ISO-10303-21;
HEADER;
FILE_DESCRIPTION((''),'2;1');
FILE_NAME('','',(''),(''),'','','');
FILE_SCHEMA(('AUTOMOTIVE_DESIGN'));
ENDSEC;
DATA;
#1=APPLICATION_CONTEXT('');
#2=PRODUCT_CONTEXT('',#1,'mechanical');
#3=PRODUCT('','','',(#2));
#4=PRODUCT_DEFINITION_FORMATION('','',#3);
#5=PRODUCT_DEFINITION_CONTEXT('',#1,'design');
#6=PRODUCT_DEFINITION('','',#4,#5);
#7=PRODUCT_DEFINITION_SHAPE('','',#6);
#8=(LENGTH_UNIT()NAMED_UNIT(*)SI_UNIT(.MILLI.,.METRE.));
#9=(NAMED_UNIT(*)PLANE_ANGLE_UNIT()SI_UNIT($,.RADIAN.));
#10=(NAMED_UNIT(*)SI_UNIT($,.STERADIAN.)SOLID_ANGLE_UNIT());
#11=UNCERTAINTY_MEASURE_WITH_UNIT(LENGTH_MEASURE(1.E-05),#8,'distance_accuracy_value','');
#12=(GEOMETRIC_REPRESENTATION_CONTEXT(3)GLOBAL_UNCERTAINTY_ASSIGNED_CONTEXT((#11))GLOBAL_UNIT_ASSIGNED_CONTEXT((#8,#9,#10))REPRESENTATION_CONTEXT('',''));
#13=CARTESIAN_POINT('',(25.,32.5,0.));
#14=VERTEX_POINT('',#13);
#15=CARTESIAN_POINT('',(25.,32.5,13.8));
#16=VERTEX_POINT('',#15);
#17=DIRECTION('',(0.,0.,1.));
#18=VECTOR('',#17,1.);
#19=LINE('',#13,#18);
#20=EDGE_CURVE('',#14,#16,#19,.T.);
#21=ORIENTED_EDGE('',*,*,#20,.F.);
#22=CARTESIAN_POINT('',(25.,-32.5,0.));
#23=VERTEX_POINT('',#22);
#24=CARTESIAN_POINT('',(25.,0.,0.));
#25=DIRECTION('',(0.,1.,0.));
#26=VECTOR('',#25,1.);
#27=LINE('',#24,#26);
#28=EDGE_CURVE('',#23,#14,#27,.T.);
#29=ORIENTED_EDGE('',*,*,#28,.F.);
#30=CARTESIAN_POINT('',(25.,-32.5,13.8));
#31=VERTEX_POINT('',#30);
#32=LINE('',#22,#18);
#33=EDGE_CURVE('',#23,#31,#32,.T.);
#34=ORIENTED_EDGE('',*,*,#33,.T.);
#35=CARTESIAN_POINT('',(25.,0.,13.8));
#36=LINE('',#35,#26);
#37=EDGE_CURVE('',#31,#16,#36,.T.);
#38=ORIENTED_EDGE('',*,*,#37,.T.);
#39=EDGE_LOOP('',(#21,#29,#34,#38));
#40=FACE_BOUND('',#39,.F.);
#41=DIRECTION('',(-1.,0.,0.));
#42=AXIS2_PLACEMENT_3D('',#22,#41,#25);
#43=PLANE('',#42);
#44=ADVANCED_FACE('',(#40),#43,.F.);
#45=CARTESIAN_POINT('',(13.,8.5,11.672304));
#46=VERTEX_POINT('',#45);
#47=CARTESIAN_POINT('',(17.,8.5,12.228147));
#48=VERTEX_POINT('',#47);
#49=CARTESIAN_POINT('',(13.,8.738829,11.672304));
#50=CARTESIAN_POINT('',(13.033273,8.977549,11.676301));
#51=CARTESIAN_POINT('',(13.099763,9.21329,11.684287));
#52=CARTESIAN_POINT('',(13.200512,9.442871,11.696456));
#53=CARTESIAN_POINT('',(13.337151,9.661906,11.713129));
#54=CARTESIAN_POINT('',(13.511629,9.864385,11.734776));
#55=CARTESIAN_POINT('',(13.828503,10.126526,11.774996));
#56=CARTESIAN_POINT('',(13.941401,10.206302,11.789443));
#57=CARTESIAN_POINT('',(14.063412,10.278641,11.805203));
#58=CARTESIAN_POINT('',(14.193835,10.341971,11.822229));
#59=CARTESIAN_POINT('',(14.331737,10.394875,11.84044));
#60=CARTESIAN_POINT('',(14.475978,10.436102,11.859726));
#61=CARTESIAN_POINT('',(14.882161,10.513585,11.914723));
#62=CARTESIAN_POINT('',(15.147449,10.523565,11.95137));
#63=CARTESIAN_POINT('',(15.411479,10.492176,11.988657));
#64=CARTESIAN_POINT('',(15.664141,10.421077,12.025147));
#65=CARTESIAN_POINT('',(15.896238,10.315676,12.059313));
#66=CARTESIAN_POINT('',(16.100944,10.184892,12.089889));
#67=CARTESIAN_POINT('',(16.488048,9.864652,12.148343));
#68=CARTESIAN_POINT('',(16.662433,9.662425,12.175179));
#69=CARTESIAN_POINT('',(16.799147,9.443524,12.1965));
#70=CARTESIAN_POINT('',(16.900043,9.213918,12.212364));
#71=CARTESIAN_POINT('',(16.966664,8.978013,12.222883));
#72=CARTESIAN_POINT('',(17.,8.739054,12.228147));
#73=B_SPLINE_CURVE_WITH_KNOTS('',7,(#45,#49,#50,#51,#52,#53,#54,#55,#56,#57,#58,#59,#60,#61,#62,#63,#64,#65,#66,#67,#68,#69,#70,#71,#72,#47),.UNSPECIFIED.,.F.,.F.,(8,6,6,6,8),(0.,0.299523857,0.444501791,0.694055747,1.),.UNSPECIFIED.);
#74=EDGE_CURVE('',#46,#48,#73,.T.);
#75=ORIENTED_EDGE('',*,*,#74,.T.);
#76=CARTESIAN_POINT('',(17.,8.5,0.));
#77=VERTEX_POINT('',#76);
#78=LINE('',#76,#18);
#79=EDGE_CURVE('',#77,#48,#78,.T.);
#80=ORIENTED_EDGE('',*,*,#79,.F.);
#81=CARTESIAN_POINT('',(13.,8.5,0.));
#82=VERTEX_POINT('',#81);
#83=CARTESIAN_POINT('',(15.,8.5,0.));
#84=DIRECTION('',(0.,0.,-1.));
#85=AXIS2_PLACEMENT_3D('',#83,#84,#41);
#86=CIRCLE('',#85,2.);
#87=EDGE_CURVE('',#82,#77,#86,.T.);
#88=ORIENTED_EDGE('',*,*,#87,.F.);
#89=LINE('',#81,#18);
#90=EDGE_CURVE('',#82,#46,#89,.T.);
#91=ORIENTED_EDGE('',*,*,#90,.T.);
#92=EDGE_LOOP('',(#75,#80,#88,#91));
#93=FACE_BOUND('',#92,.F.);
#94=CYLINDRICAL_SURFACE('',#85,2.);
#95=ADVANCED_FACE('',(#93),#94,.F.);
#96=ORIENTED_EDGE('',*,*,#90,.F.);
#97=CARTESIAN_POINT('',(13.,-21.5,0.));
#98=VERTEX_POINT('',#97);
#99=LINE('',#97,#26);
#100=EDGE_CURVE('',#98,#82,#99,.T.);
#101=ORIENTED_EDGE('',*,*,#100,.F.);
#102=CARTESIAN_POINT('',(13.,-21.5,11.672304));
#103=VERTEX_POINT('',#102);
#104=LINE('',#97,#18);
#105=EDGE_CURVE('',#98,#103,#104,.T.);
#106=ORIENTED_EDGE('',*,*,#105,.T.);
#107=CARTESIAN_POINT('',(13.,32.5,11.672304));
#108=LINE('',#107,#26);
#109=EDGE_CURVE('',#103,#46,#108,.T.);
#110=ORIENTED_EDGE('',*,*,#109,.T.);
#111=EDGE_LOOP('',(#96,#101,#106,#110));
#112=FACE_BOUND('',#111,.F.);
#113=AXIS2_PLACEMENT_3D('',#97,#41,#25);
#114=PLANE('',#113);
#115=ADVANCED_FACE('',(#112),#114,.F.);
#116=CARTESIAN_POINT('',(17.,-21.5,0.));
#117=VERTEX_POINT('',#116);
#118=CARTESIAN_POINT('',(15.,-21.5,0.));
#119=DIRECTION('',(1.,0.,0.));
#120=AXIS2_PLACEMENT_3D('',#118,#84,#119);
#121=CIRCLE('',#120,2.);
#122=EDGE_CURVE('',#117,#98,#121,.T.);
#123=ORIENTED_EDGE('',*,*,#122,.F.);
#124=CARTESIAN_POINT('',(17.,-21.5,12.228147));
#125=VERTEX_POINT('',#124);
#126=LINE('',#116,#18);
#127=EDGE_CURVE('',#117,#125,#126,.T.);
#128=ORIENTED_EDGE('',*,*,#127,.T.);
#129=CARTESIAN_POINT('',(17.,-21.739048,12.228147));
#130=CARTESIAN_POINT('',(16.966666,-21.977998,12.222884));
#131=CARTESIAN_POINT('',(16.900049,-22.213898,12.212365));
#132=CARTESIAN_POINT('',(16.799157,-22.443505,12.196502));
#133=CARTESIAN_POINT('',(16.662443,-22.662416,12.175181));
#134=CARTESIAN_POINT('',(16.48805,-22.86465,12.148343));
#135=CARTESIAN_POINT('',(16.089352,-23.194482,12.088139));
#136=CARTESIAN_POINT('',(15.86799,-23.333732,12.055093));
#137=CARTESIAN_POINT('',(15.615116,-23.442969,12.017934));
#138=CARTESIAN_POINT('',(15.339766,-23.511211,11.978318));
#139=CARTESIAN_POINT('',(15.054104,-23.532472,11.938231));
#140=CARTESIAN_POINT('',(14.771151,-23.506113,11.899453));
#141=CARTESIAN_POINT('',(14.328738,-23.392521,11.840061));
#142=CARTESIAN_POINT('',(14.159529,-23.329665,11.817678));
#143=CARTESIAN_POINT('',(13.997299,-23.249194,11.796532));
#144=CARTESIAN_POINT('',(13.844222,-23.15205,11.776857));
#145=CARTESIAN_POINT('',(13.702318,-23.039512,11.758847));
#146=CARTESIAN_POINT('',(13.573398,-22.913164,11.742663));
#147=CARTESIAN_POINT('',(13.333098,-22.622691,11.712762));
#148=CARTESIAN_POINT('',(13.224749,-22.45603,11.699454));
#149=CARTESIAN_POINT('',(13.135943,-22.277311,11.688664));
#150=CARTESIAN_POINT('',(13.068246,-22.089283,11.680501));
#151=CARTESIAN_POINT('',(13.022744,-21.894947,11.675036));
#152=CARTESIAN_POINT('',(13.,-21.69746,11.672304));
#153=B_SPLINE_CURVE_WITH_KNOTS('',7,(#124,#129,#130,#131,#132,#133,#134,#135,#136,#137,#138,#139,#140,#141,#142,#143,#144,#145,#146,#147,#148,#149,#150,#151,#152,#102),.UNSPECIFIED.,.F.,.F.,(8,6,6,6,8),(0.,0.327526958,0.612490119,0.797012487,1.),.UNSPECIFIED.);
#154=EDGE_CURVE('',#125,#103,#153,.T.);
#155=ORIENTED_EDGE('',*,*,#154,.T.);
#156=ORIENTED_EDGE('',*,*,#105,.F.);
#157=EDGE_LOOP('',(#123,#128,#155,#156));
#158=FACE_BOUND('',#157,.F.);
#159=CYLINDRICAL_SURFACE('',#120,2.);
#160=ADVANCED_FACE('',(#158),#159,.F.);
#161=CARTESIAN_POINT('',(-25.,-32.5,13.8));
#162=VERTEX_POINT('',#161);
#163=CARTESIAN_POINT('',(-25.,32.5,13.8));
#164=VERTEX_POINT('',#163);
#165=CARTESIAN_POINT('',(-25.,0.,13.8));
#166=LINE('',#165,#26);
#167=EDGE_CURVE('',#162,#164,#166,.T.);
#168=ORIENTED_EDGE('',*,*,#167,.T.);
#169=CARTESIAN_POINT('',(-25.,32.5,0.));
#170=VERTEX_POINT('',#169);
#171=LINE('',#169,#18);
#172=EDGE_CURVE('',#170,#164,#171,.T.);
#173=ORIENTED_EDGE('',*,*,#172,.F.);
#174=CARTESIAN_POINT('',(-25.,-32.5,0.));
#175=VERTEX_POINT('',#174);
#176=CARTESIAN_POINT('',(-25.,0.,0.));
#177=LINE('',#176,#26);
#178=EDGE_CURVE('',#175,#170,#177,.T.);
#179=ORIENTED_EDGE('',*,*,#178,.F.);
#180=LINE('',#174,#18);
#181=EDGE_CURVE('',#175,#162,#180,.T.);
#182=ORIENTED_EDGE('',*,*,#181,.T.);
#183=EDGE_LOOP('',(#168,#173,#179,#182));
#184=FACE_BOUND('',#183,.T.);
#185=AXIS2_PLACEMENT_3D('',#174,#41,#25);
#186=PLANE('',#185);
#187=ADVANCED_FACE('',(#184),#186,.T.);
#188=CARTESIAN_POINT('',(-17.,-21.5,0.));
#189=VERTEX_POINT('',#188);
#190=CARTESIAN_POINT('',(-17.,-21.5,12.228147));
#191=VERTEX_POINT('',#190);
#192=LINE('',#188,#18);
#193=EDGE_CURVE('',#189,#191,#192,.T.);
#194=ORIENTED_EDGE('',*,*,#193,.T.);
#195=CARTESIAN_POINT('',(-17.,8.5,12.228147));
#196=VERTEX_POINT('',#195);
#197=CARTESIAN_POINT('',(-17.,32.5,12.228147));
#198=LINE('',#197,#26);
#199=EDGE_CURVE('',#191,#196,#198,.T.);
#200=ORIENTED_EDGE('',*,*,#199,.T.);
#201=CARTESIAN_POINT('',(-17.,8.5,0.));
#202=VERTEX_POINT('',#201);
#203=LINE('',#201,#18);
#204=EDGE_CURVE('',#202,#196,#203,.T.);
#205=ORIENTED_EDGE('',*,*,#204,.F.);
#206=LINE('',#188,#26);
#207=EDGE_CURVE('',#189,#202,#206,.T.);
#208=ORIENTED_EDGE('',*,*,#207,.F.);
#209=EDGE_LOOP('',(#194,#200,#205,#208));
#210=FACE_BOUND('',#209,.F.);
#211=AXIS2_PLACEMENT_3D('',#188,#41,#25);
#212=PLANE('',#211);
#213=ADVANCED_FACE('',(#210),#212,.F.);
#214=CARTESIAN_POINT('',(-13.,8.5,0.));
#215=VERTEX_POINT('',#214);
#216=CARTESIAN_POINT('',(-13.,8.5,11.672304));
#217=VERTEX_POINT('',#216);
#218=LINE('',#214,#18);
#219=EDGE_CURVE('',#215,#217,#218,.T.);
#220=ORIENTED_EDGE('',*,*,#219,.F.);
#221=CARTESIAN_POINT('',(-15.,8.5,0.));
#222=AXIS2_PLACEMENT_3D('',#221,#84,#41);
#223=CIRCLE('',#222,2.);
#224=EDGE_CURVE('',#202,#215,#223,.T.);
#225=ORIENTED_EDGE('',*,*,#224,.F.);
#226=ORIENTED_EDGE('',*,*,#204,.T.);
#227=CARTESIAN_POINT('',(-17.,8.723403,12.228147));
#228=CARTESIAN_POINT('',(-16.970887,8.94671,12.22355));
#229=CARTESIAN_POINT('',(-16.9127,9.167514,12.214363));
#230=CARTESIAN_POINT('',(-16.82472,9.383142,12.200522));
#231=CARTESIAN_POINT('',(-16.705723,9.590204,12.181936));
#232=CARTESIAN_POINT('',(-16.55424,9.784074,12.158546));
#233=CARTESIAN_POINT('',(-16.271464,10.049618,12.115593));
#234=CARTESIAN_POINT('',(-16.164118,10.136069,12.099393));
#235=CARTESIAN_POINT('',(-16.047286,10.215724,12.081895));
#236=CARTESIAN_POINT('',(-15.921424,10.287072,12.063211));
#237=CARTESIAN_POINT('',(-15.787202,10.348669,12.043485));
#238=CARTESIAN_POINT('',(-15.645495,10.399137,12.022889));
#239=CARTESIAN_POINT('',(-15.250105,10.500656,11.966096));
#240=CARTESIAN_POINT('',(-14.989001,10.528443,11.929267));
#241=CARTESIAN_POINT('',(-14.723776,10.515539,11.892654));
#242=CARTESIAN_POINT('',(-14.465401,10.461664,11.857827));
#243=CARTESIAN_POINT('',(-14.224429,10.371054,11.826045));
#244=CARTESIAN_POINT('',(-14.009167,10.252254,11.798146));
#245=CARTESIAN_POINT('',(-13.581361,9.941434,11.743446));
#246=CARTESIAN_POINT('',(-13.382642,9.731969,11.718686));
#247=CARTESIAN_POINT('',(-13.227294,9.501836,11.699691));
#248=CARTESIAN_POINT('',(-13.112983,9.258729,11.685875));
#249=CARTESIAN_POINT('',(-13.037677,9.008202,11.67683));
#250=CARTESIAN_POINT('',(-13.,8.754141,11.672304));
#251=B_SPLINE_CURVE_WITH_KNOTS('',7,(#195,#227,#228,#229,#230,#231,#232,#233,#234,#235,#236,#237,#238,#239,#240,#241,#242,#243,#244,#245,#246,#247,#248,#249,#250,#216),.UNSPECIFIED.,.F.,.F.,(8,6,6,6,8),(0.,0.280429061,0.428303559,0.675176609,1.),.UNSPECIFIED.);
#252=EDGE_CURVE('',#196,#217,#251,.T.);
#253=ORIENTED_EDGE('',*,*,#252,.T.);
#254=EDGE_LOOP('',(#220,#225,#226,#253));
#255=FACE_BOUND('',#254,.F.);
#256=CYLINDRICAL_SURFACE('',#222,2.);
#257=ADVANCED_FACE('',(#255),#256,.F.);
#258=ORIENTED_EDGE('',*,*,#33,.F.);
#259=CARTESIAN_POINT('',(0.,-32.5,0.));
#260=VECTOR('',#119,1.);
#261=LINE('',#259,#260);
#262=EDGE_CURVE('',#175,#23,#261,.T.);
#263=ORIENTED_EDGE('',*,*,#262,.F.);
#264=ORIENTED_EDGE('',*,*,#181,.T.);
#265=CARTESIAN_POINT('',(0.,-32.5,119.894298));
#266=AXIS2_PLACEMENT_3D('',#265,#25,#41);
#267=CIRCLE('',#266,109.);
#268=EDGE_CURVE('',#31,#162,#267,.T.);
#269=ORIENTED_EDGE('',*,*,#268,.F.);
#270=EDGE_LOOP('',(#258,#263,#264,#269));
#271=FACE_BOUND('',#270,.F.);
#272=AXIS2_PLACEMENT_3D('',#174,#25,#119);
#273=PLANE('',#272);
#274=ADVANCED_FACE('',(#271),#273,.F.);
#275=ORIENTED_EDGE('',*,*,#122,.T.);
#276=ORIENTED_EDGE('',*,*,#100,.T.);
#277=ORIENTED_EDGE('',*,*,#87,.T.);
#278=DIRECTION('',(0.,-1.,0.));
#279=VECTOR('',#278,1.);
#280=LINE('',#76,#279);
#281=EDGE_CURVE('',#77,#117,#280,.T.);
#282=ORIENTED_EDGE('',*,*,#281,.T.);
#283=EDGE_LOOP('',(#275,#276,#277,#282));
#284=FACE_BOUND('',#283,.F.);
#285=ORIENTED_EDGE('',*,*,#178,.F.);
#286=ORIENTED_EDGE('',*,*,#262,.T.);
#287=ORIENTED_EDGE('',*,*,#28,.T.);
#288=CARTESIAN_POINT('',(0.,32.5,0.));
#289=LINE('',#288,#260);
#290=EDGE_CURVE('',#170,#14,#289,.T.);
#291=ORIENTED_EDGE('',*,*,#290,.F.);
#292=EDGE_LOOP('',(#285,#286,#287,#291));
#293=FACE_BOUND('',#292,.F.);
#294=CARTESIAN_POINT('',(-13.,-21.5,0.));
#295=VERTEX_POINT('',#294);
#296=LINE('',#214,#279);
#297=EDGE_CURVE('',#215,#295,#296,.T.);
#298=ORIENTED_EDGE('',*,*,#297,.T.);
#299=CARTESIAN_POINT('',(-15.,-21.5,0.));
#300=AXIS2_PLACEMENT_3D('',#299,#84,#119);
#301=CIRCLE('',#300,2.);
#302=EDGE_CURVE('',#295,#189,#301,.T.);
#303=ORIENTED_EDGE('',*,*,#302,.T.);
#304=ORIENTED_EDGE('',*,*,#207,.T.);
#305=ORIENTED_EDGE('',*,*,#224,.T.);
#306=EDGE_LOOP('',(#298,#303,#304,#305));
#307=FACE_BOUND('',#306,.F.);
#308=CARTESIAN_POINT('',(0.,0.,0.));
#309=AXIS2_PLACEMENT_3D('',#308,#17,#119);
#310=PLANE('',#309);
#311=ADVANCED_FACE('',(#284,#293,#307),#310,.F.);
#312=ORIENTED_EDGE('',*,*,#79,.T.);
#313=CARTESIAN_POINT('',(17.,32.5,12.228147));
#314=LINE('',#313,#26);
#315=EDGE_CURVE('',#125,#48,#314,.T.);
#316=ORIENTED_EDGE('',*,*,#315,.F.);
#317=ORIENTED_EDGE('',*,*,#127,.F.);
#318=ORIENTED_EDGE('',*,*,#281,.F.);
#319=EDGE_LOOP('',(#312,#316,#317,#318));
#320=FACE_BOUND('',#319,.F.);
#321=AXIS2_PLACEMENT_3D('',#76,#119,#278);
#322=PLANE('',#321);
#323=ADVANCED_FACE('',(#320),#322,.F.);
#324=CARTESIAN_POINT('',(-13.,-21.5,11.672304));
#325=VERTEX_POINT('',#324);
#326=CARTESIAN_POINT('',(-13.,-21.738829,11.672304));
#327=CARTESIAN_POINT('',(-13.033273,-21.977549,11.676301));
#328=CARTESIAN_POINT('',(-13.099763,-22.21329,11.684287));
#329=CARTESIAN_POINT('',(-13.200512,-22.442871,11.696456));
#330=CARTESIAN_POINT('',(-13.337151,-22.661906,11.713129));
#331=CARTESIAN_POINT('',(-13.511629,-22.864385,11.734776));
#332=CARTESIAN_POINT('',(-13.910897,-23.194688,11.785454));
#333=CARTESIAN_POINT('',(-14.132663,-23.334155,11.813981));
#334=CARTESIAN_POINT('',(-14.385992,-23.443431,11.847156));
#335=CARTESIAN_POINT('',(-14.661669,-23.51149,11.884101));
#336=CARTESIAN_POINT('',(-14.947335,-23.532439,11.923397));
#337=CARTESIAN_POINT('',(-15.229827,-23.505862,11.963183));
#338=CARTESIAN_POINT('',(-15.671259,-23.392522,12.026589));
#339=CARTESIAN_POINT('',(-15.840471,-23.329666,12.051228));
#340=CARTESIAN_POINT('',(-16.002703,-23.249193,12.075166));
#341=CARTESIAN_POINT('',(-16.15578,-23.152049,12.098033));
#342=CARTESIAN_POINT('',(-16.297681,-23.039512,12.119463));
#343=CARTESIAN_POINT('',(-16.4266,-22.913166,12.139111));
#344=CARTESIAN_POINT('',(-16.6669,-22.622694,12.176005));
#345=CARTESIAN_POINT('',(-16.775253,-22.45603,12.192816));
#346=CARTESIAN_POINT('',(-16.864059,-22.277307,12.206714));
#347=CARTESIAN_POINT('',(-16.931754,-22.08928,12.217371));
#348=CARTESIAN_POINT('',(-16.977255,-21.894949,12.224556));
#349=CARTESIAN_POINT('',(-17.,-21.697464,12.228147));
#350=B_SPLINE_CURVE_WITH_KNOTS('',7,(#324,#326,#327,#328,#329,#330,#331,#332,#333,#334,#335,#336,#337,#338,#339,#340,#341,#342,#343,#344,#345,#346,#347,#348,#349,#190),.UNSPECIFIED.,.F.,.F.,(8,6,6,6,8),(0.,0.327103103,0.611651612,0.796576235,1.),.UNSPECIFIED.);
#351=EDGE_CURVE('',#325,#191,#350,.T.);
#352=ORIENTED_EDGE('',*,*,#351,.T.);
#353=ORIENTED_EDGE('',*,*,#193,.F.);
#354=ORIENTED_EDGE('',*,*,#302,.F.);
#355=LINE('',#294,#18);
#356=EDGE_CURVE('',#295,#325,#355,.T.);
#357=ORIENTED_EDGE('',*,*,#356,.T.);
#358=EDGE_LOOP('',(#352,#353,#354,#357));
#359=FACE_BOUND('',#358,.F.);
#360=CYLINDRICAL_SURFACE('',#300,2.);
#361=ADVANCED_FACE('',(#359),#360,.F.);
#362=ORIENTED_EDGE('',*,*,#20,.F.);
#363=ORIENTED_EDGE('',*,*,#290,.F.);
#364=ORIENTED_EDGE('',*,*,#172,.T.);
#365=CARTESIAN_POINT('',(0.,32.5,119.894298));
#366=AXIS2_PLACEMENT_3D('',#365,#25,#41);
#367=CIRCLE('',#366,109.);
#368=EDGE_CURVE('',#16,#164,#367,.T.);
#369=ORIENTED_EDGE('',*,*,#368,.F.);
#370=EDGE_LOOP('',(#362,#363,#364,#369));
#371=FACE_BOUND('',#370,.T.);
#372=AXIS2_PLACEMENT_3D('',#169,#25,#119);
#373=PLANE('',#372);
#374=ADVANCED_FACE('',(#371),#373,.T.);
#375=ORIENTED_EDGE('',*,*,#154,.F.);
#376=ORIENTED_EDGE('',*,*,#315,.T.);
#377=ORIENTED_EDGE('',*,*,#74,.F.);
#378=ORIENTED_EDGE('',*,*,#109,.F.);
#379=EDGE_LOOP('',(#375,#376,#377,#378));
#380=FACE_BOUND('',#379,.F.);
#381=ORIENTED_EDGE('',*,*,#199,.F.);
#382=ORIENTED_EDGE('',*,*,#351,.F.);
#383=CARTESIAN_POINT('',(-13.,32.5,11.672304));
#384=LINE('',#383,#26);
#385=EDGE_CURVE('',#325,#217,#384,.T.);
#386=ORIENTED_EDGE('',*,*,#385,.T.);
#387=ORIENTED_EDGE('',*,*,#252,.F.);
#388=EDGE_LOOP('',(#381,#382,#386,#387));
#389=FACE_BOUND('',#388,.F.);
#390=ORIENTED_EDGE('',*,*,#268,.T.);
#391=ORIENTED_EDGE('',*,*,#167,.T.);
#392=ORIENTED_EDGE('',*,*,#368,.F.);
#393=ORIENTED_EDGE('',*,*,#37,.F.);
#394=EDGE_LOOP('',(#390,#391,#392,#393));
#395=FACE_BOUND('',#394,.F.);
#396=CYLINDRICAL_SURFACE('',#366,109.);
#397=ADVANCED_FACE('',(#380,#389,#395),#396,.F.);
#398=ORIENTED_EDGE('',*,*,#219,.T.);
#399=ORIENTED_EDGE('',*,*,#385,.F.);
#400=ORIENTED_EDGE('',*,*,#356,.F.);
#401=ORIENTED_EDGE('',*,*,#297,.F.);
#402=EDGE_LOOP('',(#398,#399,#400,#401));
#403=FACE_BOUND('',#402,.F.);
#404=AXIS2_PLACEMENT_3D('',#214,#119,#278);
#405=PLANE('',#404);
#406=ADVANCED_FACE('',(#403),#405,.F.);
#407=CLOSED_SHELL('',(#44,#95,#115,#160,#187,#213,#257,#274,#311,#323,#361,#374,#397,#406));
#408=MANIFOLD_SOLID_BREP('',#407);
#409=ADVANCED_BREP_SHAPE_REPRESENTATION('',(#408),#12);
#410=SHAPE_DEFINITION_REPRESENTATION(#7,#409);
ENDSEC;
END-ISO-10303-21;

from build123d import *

# Parameters (mm, degrees)
F0_W     = 50
F0_H     = 65
F1_DEPTH = 13.8
F2_R     = 109
F3_DEPTH = 65
F5_DEPTH = 15


with BuildPart() as f1:
    # F0 (on Top) → F1 (new body)
    with BuildSketch(Plane.XY):
        Rectangle(F0_W, F0_H)
    extrude(amount=F1_DEPTH)

    # F2 (on face) → F3 (cut)
    with BuildSketch(Plane(origin=(0, 32.5, 0), x_dir=(-1, 0, 0), z_dir=(0, 1, 0))):
        with Locations((0, 119.894297679)):
            Circle(F2_R)
    extrude(amount=-F3_DEPTH, mode=Mode.SUBTRACT)

    # F4 (on face) → F5 (cut)
    with BuildSketch(Plane(origin=(0, 0, 0), x_dir=(1, 0, 0), z_dir=(0, 0, -1))):
        with BuildLine():
            ThreePointArc((-17, 21.5), (-15, 19.5), (-13, 21.5))
            Line((-13, 21.5), (-17, 21.5))
        make_face()
        with BuildLine():
            Line((-17, 21.5), (-13, 21.5))
            ThreePointArc((-13, 21.5), (-15, 23.5), (-17, 21.5))
        make_face()
        with BuildLine():
            Line((-13, -8.5), (-13, 21.5))
            ThreePointArc((-13, 21.5), (-15, 19.5), (-17, 21.5))
            Line((-17, 21.5), (-17, -8.5))
            ThreePointArc((-17, -8.5), (-15, -6.5), (-13, -8.5))
        make_face()
        with BuildLine():
            ThreePointArc((-17, -8.5), (-15, -10.5), (-13, -8.5))
            Line((-13, -8.5), (-17, -8.5))
        make_face()
        with BuildLine():
            Line((-17, -8.5), (-13, -8.5))
            ThreePointArc((-13, -8.5), (-15, -6.5), (-17, -8.5))
        make_face()
        with BuildLine():
            ThreePointArc((17, 21.5), (15, 23.5), (13, 21.5))
            Line((13, 21.5), (17, 21.5))
        make_face()
        with BuildLine():
            ThreePointArc((17, 21.5), (15, 19.5), (13, 21.5))
            Line((13, 21.5), (13, -8.5))
            ThreePointArc((13, -8.5), (15, -6.5), (17, -8.5))
            Line((17, -8.5), (17, 21.5))
        make_face()
        with BuildLine():
            Line((17, 21.5), (13, 21.5))
            ThreePointArc((13, 21.5), (15, 19.5), (17, 21.5))
        make_face()
        with BuildLine():
            ThreePointArc((17, -8.5), (15, -6.5), (13, -8.5))
            Line((13, -8.5), (17, -8.5))
        make_face()
        with BuildLine():
            Line((17, -8.5), (13, -8.5))
            ThreePointArc((13, -8.5), (15, -10.5), (17, -8.5))
        make_face()
    extrude(amount=-F5_DEPTH, mode=Mode.SUBTRACT)


solid = f1.part
